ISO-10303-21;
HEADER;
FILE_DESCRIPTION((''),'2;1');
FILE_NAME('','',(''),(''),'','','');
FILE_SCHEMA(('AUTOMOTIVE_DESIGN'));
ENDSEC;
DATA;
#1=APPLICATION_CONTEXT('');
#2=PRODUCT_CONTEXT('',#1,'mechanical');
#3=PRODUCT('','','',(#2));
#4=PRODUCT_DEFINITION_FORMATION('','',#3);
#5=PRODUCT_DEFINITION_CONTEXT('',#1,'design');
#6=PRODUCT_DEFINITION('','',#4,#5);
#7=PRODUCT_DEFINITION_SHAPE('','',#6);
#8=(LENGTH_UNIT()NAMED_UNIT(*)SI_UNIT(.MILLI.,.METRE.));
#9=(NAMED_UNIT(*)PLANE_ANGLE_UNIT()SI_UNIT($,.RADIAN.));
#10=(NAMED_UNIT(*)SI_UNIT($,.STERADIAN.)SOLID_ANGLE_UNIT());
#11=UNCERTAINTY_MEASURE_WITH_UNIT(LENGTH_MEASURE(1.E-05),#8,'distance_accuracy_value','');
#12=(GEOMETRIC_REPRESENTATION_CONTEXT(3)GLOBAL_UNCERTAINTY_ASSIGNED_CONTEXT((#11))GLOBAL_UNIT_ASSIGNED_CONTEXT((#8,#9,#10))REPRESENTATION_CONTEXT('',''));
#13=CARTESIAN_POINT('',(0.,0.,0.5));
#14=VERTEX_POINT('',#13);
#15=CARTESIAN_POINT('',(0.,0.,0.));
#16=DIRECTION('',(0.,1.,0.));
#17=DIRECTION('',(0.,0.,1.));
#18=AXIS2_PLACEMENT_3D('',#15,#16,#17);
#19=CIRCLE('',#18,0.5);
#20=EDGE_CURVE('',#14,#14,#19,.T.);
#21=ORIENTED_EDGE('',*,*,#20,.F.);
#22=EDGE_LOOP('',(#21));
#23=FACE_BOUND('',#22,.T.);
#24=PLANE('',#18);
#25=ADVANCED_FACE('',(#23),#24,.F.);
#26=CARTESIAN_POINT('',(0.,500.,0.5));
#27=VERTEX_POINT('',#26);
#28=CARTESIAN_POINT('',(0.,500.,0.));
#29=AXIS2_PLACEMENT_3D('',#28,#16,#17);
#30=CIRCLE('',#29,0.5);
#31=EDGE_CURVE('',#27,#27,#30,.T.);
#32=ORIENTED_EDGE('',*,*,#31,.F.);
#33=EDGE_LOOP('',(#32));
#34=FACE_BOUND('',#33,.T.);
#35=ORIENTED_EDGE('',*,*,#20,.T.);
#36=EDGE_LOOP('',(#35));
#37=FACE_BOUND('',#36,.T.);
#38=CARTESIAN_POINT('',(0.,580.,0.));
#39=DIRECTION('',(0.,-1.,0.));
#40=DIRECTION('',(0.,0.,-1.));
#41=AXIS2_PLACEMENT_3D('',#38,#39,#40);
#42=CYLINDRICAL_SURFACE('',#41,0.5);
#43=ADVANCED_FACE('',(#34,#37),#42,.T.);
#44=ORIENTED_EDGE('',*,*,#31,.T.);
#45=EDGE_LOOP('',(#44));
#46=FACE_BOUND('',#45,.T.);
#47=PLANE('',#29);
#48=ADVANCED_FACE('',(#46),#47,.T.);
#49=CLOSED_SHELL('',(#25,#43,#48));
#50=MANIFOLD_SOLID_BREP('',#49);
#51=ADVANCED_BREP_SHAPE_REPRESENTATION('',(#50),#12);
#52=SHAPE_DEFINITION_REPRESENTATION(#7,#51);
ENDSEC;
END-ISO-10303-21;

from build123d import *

# Parameters (mm, degrees)
ESQUISSE1_R             = 0.5
BOSS_EXTRU_1_DEPTH      = 580
ENL_V_START             = -80
ESQUISSE2_R             = 0.5
ENL_V_MAT_EXTRU_2_DEPTH = 80


with BuildPart() as part:
    # Esquisse1 → Boss.-Extru.1 (new body)
    with BuildSketch(Plane(origin=(0, 0, 0), x_dir=(1, 0, 0), z_dir=(0, 1, 0))):
        with Locations(Location((0, 0, 0), (0, 0, 270))):
            Circle(ESQUISSE1_R)
    extrude(amount=BOSS_EXTRU_1_DEPTH)

    # Esquisse2 → Enlèv. mat.-Extru.2 (cut)
    with BuildSketch(Plane(origin=(0, 580, 0), x_dir=(1, 0, 0), z_dir=(0, 1, 0)).offset(ENL_V_START)):
        with Locations(Location((0, 0, 0), (0, 0, 270))):
            Circle(ESQUISSE2_R)
    extrude(amount=ENL_V_MAT_EXTRU_2_DEPTH, mode=Mode.SUBTRACT)


solid = part.part
